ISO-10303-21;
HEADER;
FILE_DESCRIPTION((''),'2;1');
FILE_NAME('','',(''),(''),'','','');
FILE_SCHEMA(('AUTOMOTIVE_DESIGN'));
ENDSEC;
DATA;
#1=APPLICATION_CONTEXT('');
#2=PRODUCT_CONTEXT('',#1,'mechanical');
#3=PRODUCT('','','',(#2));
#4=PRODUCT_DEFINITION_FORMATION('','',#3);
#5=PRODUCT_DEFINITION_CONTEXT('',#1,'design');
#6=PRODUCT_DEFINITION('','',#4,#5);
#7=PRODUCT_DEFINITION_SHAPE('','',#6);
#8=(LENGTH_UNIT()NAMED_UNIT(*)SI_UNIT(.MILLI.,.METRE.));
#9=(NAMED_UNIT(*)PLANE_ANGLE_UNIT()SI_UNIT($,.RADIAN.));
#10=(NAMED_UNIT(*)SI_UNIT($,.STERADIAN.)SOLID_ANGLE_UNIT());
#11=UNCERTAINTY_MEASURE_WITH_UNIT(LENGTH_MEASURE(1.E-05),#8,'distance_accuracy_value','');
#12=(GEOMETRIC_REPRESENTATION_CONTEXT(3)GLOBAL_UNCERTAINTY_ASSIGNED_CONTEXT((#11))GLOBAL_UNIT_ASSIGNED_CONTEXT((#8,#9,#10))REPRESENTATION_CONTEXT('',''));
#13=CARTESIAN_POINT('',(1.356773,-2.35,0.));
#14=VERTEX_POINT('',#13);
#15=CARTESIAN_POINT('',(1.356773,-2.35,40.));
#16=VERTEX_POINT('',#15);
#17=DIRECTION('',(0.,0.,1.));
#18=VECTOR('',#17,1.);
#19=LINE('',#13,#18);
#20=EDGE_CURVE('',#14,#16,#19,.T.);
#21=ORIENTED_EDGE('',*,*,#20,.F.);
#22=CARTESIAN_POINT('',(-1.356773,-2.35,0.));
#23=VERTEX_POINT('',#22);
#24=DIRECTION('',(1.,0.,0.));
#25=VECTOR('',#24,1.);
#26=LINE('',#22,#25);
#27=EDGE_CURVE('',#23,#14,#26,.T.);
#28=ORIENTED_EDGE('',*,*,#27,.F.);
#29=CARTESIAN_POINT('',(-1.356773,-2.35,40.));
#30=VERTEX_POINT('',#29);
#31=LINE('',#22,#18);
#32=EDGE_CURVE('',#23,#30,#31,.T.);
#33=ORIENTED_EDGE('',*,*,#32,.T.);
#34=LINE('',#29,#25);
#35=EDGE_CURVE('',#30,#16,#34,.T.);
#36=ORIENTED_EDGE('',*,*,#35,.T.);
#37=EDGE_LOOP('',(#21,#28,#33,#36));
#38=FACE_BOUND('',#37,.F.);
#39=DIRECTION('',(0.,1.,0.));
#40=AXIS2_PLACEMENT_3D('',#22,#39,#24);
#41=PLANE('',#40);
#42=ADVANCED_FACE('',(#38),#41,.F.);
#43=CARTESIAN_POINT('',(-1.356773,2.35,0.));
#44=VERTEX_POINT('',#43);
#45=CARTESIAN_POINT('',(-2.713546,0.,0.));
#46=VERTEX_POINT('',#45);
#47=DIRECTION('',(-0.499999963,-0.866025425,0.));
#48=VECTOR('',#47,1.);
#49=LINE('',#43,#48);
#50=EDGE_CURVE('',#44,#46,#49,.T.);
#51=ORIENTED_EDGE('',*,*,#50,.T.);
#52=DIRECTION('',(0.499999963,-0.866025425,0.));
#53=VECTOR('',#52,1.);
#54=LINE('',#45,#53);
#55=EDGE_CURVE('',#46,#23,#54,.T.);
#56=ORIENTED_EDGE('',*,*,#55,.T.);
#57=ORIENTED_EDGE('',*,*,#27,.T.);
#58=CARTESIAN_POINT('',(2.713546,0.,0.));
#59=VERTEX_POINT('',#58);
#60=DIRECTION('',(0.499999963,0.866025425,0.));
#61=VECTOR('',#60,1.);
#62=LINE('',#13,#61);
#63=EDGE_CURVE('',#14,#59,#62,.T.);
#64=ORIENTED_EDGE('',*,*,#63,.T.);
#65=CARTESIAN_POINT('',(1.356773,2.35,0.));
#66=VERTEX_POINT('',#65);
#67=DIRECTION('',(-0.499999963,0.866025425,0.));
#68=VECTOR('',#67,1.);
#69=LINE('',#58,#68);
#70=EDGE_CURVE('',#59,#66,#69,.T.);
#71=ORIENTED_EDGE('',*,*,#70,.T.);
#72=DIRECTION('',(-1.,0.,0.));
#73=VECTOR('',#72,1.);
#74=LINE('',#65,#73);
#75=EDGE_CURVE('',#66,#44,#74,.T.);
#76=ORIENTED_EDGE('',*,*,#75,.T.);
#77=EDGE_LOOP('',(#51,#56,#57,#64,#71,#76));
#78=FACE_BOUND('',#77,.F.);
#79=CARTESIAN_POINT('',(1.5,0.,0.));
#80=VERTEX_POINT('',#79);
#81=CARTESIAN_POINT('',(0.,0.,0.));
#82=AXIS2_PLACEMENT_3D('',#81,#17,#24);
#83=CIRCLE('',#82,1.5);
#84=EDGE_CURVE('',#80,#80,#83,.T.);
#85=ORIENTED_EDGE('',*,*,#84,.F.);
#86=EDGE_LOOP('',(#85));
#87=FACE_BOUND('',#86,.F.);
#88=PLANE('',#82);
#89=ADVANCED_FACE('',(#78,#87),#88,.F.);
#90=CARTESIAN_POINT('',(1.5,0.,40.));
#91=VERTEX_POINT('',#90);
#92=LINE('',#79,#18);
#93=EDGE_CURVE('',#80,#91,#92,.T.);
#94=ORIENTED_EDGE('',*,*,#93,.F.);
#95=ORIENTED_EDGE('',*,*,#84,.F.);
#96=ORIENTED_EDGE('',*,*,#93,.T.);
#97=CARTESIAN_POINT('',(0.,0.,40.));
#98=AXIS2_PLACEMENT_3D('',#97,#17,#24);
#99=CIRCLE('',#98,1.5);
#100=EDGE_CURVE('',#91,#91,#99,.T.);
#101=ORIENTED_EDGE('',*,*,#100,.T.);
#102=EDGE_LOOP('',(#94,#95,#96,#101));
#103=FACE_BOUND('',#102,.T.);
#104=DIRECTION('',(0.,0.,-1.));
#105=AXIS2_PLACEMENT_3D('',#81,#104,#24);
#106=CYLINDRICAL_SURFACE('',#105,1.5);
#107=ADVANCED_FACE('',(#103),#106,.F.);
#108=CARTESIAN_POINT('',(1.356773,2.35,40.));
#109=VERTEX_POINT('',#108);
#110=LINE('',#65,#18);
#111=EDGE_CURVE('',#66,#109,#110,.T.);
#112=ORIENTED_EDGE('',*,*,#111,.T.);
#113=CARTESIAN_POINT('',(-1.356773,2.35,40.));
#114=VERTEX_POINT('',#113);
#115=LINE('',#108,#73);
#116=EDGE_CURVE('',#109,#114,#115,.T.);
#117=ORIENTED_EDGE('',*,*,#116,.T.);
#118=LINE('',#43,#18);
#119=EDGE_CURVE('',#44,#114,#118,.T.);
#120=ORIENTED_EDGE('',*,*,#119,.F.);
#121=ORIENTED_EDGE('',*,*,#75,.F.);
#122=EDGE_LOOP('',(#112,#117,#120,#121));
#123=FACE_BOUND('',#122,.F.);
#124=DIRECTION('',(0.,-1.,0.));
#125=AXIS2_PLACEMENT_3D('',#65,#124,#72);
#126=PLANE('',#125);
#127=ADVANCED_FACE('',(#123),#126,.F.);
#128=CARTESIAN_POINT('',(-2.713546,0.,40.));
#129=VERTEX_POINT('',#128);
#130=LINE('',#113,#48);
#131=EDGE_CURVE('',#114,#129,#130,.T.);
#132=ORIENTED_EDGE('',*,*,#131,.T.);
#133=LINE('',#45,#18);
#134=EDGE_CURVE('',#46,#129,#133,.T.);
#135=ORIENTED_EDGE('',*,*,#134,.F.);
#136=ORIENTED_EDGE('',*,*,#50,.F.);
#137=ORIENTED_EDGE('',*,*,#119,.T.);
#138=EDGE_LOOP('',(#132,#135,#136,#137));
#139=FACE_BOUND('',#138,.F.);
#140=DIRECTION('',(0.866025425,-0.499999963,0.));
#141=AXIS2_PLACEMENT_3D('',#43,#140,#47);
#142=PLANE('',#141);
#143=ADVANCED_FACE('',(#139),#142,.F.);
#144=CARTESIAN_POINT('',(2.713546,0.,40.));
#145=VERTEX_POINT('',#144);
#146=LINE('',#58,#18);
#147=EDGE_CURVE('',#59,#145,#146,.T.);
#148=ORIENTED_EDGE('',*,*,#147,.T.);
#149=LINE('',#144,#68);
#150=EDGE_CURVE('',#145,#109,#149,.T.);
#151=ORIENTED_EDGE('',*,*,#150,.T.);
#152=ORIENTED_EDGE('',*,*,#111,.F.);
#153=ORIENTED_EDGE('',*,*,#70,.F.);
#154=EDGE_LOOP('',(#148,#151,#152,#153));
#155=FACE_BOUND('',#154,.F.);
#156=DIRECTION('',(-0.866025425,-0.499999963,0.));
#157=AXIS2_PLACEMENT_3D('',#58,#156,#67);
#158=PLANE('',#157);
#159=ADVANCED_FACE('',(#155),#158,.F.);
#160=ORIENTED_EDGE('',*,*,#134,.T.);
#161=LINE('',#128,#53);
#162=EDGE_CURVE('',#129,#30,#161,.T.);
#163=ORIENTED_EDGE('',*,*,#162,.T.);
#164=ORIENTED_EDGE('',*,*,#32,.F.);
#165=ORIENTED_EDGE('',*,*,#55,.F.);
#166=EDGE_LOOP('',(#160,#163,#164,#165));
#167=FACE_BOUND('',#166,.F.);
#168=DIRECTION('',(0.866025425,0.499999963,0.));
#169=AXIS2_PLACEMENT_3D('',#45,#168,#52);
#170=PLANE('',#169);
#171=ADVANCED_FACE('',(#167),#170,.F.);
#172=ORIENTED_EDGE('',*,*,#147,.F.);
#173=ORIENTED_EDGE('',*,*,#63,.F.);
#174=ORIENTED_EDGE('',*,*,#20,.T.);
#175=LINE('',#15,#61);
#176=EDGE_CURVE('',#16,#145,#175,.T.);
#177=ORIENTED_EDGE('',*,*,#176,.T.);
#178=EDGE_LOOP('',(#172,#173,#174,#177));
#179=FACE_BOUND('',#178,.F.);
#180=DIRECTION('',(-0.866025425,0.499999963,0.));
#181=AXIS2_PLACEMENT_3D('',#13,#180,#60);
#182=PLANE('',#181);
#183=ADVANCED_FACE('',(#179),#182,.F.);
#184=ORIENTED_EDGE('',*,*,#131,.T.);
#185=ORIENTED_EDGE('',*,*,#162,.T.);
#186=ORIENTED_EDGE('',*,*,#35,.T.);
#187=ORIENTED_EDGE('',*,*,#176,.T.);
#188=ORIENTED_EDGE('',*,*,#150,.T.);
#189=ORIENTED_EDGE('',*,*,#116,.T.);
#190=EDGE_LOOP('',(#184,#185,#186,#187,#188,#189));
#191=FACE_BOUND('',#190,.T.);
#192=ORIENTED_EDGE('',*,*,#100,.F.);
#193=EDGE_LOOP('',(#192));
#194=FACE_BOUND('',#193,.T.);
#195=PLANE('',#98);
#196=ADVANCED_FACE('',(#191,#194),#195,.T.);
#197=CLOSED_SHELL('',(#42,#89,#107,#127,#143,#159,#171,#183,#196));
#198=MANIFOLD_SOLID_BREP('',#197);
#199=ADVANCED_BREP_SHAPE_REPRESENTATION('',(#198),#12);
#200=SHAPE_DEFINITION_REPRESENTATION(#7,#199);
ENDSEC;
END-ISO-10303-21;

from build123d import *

# Parameters (mm, degrees)
SKETCH_R  = 1.5
PAD_DEPTH = 40


with BuildPart() as part:
    # Sketch → Pad (new body)
    with BuildSketch(Plane.XY):
        Polygon((-1.356773, -2.35), (1.356773, -2.35), (2.713546, 0), (1.356773, 2.35), (-1.356773, 2.35), (-2.713546, 0), align=None)
        Circle(SKETCH_R, mode=Mode.SUBTRACT)
    extrude(amount=PAD_DEPTH)


solid = part.part
